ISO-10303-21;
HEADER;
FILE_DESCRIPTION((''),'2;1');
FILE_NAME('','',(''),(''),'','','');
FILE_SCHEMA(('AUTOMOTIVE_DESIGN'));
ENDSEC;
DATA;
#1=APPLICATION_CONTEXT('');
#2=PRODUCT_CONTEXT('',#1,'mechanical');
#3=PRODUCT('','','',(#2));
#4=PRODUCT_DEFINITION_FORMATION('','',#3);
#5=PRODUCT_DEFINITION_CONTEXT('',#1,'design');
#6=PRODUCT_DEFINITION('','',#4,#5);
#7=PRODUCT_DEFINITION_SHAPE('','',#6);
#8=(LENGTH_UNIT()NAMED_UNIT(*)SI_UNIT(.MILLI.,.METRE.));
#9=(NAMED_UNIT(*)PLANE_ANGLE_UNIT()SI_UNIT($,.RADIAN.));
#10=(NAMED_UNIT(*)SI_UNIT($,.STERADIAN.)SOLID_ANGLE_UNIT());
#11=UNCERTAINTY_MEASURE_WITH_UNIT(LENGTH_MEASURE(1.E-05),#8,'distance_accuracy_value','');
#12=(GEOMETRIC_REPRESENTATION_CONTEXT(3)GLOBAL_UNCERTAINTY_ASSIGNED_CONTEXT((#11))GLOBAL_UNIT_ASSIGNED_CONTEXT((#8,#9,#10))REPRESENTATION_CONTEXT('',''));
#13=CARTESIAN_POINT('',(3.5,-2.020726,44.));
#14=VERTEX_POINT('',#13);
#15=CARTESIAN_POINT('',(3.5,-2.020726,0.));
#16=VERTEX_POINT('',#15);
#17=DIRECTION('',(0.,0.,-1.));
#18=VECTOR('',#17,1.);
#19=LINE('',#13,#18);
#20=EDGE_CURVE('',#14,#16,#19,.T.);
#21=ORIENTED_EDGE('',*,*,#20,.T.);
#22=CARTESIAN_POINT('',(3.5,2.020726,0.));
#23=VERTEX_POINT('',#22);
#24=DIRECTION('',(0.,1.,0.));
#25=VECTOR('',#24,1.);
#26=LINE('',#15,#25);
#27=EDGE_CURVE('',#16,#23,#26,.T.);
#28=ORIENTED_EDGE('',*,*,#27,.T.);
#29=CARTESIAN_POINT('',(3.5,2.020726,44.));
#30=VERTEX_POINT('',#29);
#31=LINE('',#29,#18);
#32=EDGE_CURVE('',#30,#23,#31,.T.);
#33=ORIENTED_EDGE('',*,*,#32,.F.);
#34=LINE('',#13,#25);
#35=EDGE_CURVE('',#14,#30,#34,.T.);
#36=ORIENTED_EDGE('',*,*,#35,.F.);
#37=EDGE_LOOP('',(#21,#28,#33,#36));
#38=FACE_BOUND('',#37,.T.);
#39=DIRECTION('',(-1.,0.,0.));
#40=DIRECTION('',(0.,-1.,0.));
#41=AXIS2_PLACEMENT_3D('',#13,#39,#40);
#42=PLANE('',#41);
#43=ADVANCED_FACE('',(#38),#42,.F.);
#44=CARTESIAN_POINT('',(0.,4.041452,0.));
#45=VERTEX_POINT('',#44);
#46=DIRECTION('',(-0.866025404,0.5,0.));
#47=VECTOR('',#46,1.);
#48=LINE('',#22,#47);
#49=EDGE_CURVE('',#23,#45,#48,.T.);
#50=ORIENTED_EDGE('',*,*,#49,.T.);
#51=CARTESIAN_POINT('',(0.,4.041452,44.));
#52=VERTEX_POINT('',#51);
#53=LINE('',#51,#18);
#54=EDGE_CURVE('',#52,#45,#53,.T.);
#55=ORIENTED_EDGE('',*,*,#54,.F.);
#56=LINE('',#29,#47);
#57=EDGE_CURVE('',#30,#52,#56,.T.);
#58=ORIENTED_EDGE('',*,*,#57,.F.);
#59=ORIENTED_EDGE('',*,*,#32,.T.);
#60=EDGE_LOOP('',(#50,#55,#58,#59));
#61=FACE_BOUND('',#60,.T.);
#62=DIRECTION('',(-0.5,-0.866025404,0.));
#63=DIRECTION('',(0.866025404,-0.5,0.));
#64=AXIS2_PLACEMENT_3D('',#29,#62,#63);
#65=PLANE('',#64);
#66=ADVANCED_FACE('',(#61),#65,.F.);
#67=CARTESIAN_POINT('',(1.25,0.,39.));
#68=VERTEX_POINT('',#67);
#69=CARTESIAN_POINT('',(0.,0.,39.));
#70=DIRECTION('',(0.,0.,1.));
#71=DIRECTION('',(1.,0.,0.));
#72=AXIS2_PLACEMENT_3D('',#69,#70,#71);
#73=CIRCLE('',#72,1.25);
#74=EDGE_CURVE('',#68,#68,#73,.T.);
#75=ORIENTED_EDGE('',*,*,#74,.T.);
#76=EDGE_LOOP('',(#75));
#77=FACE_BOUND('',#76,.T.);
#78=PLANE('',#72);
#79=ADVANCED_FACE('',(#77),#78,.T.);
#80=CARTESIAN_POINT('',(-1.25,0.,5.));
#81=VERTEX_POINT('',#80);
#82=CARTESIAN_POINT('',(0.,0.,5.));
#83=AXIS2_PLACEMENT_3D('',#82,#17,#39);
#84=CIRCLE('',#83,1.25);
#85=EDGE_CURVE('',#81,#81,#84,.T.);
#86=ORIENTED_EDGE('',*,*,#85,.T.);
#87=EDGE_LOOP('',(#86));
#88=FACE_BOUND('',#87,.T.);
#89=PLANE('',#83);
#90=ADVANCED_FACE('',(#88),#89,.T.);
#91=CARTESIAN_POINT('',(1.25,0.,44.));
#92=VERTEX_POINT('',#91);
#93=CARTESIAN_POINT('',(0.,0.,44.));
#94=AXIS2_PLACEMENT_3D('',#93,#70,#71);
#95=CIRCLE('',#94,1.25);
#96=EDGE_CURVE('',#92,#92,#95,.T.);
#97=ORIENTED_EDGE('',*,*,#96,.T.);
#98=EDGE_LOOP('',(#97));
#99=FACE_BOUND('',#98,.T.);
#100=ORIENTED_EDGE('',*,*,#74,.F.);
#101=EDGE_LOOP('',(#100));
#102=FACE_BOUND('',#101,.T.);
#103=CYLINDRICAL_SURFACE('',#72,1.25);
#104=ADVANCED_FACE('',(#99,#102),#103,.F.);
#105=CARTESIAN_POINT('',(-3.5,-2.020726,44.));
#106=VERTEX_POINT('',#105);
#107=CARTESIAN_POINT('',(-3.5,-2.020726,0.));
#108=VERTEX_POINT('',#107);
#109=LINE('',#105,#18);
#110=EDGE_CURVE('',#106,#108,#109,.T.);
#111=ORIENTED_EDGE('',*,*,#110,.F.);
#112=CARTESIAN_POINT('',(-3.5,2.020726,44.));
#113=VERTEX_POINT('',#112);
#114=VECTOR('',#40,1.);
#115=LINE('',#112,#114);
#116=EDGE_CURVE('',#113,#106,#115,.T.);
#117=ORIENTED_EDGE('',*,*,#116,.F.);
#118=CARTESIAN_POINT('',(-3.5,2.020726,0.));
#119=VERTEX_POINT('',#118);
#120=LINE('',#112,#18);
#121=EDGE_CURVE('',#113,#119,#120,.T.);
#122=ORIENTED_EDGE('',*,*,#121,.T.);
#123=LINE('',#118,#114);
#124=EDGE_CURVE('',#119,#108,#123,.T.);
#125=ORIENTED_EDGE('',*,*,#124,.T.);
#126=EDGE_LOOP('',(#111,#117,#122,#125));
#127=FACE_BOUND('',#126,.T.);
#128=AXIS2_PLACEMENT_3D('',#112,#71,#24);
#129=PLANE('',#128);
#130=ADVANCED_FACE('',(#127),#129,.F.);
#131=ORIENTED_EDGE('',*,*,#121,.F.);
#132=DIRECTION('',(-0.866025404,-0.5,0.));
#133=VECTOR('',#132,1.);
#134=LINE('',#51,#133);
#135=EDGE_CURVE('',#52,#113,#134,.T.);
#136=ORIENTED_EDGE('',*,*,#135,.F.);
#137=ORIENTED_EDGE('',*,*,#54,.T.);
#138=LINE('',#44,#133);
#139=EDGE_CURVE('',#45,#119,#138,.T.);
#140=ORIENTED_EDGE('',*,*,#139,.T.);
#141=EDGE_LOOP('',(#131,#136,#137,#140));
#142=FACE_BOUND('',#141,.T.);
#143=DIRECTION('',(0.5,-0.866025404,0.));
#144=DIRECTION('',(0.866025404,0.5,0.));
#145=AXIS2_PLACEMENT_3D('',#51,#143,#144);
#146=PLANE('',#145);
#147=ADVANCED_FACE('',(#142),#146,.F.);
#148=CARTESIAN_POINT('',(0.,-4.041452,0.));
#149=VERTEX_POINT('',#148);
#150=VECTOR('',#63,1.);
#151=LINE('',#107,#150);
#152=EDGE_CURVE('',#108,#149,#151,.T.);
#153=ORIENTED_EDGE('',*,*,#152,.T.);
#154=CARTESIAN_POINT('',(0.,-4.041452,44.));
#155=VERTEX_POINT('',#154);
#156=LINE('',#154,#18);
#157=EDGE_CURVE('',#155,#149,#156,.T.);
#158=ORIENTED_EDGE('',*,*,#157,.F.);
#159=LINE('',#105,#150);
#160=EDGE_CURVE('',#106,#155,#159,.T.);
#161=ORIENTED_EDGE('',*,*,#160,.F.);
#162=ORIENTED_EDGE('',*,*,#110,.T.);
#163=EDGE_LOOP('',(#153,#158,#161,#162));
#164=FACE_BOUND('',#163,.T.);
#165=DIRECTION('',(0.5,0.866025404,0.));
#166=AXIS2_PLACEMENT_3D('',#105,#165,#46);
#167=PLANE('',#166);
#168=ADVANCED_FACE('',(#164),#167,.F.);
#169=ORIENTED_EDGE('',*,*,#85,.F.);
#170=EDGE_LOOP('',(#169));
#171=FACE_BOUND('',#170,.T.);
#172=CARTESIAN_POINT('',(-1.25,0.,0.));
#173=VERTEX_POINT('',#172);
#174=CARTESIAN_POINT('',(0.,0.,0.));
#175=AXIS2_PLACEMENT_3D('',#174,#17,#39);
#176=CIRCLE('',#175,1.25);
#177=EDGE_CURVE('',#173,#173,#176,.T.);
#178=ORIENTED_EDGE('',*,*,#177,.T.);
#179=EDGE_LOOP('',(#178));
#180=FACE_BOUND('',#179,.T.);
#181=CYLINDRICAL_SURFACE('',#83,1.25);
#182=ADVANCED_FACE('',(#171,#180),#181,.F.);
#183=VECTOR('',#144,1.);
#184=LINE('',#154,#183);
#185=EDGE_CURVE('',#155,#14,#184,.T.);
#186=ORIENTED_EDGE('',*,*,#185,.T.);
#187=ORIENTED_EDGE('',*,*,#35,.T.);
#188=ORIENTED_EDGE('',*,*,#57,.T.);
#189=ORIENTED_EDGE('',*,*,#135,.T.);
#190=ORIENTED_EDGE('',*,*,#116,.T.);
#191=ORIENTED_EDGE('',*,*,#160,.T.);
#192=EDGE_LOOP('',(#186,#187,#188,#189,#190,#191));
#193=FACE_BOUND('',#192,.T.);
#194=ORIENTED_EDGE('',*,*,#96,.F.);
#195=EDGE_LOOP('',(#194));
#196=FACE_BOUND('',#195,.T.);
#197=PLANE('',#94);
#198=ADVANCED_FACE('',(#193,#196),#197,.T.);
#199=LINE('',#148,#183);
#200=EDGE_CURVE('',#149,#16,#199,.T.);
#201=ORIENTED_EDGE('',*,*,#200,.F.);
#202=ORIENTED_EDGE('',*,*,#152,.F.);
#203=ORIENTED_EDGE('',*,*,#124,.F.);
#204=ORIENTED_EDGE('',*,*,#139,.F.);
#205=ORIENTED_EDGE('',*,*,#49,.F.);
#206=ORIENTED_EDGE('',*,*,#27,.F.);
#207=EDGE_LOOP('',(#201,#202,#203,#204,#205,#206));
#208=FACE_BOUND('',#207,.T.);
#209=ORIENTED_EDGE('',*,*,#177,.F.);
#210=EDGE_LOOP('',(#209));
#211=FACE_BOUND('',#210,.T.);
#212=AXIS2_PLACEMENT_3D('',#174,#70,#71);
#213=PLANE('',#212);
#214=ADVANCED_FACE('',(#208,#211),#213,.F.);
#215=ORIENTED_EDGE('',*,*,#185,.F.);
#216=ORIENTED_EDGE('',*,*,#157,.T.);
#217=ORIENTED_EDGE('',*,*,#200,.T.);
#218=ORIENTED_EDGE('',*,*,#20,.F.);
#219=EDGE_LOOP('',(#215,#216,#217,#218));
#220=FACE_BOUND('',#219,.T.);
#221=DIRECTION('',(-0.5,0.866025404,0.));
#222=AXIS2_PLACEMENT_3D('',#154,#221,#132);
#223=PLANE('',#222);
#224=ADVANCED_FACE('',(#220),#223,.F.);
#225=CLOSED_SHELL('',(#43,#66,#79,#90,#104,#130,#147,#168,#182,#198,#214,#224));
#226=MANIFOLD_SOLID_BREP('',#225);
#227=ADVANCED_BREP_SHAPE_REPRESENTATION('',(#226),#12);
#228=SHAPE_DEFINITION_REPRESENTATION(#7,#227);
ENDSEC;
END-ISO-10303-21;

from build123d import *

# Parameters (mm, degrees)
BOSS_EXTRUDE1_DEPTH = 44
SKETCH2_R           = 1.25
CUT_EXTRUDE1_DEPTH  = 5
SKETCH3_R           = 1.25
CUT_EXTRUDE2_DEPTH  = 5


with BuildPart() as part:
    # Sketch1 → Boss-Extrude1 (new body)
    with BuildSketch(Plane.XY):
        Polygon((0, -4.041451884), (3.5, -2.020725942), (3.5, 2.020725942), (0, 4.041451884), (-3.5, 2.020725942), (-3.5, -2.020725942), align=None)
    extrude(amount=BOSS_EXTRUDE1_DEPTH)

    # Sketch2 → Cut-Extrude1 (cut)
    with BuildSketch(Plane.XY.offset(44)):
        Circle(SKETCH2_R)
    extrude(amount=-CUT_EXTRUDE1_DEPTH, mode=Mode.SUBTRACT)

    # Sketch3 → Cut-Extrude2 (cut)
    with BuildSketch(Plane(origin=(0, 0, 0), x_dir=(-1, 0, 0), z_dir=(0, 0, -1))):
        Circle(SKETCH3_R)
    extrude(amount=-CUT_EXTRUDE2_DEPTH, mode=Mode.SUBTRACT)


solid = part.part
